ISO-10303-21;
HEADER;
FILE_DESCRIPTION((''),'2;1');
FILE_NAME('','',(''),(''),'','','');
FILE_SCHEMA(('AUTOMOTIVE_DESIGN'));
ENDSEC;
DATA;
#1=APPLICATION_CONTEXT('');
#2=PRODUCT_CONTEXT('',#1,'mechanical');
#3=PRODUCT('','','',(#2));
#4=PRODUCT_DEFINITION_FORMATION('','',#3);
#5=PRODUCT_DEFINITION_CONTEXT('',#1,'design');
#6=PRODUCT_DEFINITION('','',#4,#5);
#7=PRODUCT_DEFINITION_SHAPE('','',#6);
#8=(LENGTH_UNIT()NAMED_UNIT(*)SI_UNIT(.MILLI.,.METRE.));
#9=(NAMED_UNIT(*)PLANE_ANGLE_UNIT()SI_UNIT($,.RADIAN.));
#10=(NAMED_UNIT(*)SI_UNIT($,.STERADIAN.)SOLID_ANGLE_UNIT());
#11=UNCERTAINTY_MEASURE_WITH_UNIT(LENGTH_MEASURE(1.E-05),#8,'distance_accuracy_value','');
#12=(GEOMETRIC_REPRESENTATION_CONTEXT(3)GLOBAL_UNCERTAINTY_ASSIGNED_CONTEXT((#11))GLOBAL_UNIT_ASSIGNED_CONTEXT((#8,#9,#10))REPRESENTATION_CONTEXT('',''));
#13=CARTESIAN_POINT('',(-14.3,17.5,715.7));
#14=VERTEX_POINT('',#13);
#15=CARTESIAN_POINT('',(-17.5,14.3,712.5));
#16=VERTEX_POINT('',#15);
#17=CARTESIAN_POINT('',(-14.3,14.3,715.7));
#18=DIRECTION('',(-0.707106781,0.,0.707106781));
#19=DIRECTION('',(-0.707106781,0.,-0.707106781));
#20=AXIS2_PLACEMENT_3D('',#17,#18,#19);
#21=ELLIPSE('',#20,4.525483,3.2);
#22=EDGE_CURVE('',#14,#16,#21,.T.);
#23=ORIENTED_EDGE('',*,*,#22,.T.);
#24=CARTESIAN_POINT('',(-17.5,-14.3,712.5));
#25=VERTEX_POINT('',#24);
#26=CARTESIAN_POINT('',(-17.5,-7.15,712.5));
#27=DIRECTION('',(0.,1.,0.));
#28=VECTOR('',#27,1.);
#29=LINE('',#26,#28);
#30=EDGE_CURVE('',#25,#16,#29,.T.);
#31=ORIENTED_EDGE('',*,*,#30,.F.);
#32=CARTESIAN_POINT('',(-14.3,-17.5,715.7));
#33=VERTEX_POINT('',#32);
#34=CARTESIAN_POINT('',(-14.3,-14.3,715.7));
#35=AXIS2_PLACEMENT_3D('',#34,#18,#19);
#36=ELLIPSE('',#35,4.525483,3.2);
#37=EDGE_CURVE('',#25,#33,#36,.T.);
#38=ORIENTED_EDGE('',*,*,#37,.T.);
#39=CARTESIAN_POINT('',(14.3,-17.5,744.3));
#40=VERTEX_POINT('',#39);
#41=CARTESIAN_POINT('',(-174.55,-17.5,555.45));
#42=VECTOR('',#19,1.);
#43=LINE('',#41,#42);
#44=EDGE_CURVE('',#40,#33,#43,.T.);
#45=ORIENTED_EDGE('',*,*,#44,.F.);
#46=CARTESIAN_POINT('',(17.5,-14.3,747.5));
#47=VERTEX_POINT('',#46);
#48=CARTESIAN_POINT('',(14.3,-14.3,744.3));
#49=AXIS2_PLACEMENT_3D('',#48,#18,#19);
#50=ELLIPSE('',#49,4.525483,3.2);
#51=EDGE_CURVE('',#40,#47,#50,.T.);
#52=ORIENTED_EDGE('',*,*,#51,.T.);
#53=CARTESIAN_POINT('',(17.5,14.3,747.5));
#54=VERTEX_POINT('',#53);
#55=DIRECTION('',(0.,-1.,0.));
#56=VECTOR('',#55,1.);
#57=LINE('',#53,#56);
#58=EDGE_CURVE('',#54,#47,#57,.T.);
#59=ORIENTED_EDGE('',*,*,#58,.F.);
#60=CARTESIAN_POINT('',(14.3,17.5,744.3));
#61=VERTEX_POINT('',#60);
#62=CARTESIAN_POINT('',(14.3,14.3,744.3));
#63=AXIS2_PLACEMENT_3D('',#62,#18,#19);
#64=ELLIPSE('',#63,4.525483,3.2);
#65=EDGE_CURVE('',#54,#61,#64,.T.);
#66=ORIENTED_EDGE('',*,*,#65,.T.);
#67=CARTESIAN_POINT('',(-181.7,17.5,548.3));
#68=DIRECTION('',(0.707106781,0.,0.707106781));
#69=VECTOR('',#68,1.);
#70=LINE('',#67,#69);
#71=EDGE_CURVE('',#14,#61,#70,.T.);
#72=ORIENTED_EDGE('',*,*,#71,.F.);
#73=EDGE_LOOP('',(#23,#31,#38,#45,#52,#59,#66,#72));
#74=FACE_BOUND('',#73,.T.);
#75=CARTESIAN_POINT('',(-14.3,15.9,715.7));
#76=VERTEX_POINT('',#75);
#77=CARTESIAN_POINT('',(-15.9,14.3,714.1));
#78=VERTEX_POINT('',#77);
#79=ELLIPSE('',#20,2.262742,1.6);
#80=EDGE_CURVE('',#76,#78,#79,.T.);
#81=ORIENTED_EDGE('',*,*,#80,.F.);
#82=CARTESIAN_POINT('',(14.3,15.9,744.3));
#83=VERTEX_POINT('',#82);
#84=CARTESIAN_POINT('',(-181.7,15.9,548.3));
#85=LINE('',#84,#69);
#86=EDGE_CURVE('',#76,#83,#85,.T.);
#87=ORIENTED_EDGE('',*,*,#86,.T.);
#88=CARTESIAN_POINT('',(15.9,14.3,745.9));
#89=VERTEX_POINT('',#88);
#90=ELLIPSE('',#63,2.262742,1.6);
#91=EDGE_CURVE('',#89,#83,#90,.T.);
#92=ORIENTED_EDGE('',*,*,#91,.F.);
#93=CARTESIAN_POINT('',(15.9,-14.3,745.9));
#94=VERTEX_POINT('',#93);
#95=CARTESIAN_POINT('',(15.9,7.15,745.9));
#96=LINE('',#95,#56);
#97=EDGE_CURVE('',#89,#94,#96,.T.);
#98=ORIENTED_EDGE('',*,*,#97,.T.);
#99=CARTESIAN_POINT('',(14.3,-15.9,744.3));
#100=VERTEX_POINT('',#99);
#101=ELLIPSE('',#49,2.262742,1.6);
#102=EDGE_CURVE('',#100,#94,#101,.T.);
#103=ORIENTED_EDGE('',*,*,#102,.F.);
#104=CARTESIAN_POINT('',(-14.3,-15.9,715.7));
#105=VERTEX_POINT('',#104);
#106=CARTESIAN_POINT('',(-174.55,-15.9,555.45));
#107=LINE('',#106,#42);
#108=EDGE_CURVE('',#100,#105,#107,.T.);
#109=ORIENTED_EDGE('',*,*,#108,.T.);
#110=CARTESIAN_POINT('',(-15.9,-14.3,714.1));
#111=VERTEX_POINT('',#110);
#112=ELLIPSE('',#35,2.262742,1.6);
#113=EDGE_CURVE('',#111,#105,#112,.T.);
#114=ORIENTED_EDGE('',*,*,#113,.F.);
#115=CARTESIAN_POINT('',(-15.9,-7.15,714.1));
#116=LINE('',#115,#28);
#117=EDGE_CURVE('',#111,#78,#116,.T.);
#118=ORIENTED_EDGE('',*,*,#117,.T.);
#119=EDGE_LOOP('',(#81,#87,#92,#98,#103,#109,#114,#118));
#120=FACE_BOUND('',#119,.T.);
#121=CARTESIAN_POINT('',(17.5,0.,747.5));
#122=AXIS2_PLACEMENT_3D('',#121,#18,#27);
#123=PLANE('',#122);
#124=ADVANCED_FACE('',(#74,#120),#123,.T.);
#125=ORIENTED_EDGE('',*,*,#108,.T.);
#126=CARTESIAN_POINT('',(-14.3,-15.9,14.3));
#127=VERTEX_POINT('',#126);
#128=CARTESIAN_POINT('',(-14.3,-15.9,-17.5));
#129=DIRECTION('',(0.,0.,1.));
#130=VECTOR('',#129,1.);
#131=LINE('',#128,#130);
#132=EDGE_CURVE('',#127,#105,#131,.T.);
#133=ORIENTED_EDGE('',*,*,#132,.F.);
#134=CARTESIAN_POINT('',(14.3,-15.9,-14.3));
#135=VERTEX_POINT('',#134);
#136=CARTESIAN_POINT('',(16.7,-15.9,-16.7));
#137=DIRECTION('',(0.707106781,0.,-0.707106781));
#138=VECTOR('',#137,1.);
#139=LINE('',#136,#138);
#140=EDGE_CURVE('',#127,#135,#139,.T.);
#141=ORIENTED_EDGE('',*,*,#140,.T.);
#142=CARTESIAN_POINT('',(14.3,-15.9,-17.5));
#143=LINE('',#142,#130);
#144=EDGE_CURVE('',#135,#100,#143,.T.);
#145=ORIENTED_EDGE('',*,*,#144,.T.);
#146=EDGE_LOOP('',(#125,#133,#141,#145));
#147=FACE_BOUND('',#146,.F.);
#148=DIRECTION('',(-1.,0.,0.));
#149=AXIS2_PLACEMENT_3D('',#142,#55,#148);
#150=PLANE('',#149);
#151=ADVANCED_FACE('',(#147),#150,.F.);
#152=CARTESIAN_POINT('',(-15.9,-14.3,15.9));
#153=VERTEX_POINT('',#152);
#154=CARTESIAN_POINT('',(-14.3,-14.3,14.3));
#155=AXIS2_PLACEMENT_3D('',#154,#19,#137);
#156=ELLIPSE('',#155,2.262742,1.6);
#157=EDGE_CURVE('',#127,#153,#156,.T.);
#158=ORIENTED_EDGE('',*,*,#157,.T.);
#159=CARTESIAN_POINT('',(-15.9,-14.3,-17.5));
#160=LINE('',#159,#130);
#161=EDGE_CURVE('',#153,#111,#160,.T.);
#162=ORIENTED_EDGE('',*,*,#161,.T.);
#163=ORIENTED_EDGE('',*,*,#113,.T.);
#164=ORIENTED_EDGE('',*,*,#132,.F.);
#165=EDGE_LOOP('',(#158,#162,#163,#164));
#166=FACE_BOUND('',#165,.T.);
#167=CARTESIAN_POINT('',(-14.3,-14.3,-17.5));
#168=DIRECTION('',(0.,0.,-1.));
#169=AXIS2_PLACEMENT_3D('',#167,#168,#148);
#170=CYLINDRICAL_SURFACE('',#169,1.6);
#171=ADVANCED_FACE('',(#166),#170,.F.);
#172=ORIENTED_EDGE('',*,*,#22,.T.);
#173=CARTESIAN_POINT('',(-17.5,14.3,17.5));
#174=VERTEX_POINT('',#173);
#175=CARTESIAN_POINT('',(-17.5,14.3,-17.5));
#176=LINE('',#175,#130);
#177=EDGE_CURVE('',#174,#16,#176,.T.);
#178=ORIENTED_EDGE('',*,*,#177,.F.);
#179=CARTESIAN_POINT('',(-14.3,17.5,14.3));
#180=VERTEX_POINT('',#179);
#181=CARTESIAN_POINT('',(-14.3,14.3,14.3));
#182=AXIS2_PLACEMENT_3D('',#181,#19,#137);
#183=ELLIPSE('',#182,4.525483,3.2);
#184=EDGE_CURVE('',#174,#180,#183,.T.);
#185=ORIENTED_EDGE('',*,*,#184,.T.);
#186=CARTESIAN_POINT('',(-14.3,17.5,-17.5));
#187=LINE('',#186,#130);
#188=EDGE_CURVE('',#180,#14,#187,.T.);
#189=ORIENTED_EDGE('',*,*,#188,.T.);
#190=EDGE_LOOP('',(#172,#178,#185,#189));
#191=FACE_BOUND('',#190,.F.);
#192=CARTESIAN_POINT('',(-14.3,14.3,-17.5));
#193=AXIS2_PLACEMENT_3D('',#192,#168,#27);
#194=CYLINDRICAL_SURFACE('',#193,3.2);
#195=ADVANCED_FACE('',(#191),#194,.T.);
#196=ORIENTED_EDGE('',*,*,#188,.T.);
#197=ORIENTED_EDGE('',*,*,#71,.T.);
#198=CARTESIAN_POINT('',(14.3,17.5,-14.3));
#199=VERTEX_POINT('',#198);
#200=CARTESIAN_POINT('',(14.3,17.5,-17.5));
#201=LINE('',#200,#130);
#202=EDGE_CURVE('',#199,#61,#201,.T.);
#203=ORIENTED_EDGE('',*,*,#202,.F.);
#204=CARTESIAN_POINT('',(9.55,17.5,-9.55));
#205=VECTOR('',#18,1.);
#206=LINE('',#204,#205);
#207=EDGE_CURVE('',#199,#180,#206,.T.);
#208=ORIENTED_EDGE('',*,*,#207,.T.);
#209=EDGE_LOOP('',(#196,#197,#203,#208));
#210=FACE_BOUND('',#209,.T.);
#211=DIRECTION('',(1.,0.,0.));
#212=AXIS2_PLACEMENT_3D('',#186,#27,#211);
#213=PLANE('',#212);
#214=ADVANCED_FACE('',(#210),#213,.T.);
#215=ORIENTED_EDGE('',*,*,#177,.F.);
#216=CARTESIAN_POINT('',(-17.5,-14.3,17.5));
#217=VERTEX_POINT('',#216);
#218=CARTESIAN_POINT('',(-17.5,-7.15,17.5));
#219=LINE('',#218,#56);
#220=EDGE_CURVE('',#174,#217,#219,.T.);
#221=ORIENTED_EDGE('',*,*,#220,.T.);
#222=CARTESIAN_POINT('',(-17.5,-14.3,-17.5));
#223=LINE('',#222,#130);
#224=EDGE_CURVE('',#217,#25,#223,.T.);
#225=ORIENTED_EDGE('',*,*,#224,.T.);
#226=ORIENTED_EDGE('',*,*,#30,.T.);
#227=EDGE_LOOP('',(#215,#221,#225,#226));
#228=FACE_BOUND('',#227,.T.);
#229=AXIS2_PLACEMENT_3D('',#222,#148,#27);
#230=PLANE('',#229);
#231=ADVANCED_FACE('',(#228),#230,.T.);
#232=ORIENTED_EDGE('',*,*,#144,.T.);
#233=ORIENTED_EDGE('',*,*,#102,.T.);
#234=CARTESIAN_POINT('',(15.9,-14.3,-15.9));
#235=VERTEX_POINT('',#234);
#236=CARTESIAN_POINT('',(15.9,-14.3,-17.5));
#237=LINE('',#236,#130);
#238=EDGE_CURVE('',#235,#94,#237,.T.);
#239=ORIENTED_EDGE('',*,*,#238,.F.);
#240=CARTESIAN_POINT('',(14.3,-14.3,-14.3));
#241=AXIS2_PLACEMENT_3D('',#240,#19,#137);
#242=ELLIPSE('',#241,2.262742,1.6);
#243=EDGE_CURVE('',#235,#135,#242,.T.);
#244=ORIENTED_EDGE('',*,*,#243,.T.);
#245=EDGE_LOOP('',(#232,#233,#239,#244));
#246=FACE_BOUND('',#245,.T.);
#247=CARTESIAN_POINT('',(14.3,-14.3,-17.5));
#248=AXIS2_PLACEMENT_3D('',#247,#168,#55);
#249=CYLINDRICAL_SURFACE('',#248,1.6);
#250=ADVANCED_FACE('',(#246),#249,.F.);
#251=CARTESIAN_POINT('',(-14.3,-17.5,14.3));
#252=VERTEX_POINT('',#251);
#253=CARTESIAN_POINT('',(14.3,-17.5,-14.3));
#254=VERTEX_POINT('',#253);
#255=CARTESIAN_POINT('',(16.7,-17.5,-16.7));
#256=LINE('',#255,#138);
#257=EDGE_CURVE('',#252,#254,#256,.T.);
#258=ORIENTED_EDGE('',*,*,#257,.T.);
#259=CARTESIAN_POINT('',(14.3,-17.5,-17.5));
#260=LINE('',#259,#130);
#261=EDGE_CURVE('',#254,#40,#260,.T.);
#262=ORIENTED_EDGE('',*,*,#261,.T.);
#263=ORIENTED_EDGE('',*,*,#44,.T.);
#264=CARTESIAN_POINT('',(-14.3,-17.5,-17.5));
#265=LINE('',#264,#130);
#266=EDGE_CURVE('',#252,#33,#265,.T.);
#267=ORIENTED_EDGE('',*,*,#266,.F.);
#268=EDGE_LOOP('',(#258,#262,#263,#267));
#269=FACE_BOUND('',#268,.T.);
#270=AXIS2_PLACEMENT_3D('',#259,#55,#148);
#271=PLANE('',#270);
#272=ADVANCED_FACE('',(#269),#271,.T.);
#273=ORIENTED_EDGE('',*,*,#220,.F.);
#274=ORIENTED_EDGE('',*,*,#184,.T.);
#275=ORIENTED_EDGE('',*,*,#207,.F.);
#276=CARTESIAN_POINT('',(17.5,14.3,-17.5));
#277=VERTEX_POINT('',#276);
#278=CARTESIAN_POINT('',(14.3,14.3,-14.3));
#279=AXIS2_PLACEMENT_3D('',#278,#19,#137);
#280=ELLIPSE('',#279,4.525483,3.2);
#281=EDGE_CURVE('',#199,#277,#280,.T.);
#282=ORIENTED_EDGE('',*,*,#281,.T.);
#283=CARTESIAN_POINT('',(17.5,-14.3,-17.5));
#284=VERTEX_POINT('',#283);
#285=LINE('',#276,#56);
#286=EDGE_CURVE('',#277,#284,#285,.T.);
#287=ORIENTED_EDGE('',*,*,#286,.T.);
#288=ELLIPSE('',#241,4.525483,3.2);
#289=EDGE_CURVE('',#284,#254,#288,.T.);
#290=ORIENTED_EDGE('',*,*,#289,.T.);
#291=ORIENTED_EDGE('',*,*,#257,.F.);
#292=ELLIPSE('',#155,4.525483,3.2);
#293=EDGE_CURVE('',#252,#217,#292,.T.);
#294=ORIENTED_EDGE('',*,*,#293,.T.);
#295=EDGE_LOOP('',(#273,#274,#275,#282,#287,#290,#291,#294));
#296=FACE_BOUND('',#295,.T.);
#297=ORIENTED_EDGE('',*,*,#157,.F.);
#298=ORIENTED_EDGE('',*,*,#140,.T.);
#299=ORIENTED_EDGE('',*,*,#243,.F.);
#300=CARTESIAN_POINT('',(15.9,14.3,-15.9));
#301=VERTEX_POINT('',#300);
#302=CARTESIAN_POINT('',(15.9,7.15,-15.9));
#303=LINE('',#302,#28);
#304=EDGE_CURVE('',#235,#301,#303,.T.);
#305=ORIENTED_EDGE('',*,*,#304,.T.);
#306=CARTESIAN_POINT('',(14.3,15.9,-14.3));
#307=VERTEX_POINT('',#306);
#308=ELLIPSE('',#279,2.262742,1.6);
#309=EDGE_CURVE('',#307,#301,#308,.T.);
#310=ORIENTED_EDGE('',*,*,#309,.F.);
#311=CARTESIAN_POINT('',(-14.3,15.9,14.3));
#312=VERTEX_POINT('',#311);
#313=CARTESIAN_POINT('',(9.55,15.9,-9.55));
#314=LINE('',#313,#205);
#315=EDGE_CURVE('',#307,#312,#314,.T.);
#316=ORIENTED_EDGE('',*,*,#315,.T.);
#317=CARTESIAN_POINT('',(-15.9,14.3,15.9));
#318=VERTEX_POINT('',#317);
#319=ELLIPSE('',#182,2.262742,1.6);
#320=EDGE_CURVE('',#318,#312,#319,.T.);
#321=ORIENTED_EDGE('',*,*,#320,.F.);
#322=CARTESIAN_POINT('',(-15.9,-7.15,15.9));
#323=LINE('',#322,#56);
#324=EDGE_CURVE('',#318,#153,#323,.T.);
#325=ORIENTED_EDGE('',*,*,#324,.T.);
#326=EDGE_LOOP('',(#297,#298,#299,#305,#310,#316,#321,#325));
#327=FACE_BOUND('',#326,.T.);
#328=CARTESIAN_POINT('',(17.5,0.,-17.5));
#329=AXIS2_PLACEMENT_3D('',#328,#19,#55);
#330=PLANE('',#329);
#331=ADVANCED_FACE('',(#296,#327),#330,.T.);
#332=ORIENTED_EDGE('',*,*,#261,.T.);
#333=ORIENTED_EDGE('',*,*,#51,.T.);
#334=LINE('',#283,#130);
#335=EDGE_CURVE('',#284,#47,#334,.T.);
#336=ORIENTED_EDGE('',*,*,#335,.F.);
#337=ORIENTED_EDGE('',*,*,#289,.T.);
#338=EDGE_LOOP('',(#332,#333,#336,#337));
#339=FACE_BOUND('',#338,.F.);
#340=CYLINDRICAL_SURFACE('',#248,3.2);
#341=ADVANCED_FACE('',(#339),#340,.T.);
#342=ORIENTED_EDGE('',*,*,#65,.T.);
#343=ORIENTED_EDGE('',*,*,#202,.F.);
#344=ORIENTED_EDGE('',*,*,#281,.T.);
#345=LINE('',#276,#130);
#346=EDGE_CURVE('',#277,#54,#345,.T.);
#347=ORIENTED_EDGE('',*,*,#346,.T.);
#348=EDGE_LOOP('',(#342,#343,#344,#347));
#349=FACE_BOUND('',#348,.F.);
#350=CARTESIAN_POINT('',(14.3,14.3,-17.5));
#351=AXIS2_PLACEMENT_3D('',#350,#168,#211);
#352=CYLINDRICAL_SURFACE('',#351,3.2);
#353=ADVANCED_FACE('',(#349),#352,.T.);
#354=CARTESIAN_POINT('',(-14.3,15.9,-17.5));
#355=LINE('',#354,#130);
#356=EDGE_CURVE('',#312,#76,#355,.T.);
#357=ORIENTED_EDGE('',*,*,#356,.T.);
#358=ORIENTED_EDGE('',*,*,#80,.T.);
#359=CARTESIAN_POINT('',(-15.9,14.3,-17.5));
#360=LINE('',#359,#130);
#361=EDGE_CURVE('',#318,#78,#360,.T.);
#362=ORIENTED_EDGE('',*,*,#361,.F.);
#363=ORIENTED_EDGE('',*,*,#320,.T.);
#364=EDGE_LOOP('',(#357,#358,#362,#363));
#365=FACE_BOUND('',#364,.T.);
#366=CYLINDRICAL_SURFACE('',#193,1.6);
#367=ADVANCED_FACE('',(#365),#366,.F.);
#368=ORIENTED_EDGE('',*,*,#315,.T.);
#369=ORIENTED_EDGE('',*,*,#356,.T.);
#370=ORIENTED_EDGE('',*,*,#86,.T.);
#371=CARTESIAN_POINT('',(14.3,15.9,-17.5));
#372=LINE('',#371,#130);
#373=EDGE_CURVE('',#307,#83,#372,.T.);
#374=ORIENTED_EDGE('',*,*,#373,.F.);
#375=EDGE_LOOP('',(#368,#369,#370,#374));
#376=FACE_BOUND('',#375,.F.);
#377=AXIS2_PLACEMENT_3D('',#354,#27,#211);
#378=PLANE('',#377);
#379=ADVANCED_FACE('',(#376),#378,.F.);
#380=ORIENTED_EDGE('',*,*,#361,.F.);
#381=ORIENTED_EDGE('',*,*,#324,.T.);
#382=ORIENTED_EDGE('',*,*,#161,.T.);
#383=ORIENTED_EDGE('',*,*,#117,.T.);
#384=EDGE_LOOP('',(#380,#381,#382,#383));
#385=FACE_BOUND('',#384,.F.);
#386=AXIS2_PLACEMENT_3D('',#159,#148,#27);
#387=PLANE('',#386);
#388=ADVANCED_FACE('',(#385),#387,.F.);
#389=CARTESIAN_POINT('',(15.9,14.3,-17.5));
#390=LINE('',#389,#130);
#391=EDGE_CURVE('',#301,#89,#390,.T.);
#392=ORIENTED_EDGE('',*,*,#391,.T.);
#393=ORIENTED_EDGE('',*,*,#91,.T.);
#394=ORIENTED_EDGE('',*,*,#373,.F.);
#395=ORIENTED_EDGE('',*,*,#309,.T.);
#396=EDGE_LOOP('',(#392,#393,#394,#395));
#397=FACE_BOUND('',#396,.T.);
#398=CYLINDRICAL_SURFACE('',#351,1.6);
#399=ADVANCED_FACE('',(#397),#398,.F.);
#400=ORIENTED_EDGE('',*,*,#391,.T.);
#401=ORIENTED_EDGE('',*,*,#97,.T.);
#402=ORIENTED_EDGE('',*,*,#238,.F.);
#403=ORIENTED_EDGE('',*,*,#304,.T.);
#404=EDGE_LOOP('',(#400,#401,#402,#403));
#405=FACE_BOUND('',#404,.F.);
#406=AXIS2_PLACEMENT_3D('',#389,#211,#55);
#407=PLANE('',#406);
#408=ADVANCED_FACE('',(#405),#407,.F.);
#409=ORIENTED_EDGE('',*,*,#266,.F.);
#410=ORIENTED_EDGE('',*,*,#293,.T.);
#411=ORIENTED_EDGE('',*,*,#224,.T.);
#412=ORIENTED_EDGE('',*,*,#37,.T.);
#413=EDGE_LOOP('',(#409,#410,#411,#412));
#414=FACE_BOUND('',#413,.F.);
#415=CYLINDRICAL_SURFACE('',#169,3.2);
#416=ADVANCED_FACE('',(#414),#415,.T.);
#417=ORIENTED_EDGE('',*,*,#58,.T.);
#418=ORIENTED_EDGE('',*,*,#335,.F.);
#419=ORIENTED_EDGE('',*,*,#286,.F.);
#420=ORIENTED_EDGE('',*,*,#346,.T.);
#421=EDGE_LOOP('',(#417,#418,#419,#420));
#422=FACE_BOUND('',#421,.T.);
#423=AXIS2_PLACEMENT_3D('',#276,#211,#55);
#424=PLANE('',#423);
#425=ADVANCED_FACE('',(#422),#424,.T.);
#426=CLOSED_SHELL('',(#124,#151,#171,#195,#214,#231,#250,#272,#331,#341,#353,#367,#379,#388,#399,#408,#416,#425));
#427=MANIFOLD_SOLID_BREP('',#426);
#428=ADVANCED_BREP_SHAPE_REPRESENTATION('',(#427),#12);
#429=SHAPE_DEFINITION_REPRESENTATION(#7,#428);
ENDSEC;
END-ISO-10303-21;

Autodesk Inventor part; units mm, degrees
ref_plane "Start plane" through (0, 0, -17.5) normal (0, 0, 1) x (1, 0, 0)
ref_plane "End plane" through (0, 0, 747.5) normal (0, 0, 1) x (1, 0, 0)
sketch "Sketch" plane through (0, 0, 0) normal (0, 0, 1) x (1, 0, 0)
  line L0 (-17.5, -14.3) -> (-17.5, 14.3)
  line L1 (-14.3, 17.5) -> (14.3, 17.5)
  line L2 (17.5, 14.3) -> (17.5, -14.3)
  line L3 (14.3, -17.5) -> (-14.3, -17.5)
  arc A0 (-17.5, -14.3) -> (-14.3, -17.5) centre (-14.3, -14.3) ccw
  arc A1 (-14.3, 17.5) -> (-17.5, 14.3) centre (-14.3, 14.3) ccw
  arc A2 (17.5, 14.3) -> (14.3, 17.5) centre (14.3, 14.3) ccw
  arc A3 (14.3, -17.5) -> (17.5, -14.3) centre (14.3, -14.3) ccw
  arc A4 (-14.3, 15.9) -> (-15.9, 14.3) centre (-14.3, 14.3) ccw
  line L4 (-14.3, 15.9) -> (14.3, 15.9)
  arc A5 (15.9, 14.3) -> (14.3, 15.9) centre (14.3, 14.3) ccw
  line L5 (15.9, 14.3) -> (15.9, -14.3)
  arc A6 (14.3, -15.9) -> (15.9, -14.3) centre (14.3, -14.3) ccw
  line L6 (14.3, -15.9) -> (-14.3, -15.9)
  arc A7 (-15.9, -14.3) -> (-14.3, -15.9) centre (-14.3, -14.3) ccw
  line L7 (-15.9, -14.3) -> (-15.9, 14.3)
  line L8 (0, 25.4278) -> (0, -25.4278) construction
  line L9 (-25.4278, 0) -> (25.4278, 0) construction
  dimension "d7" = 3.2
  dimension "d10" = 35
  dimension "d11" = 35
  dimension "d12" = 1.6
  dimension "d15" = 17.5
  dimension "d16" = 17.5
extrude "Body" add sketch "Sketch" along normal up to surface (765 mm away) from surface at -17.5
sketch "Sketch3" plane through (0, 0, 0) normal (0, 0, 1) x (1, 0, 0)
  line L0 (0, 0) -> (10, 0)
ref_plane "Work Plane3" through (0, 0, 0) normal (0, -1, 0) x (1, 0, 0)
sketch "Sketch4" plane through (0, 0, 0) normal (0, -1, 0) x (1, 0, 0)
  line L0 (-2, -17.5) -> (12, -17.5)
  line L1 (-2, 747.5) -> (12, 747.5)
  dimension "d18" = 765
ref_plane "Work Plane5" through (0, 0, 747.5) normal (0, 0, 1) x (1, 0, 0)
split "Split2" plane through (0, 0, 747.5) removes the side toward (0, 0, 1)
ref_plane "Work Plane6" through (17.5, 0, 747.5) normal (-0.7071, 0, 0.7071) x (0.7071, 0, 0.7071)
split "Split3" plane through (17.5, 0, 747.5) removes the side toward (-0.7071, 0, 0.7071)
ref_plane "Work Plane9" through (17.5, 0, -17.5) normal (-0.7071, 0, -0.7071) x (-0.7071, 0, 0.7071)
split "Split6" plane through (17.5, 0, -17.5) removes the side toward (-0.7071, 0, -0.7071)
equation "\"d7\" = G_IR"
equation "\"d10\" = G_H"
equation "\"d11\" = G_W"
equation "\"d12\" = G_T"
equation "\"d15\" = 0.5 * d10"
equation "\"d16\" = 0.5 * d11"
equation "\"d3\" = G_L"
equation "\"G_W\" = 35"
equation "\"G_H\" = 35"
equation "\"G_T\" = 1.6"
equation "\"G_IR\" = 3.2"
equation "\"G_L\" = d18"
equation "\"G_OFFSET_START\" = 17.5"
equation "\"G_OFFSET_END\" = 17.5"
equation "\"d13\" = -G_OFFSET_START"
equation "\"d14\" = G_OFFSET_END + B_L"
equation "\"B_L\" = 730"
properties part number "AS 1163 - C350L0 35x35x1.6 SHS - 765" material "Steel, Mild"
